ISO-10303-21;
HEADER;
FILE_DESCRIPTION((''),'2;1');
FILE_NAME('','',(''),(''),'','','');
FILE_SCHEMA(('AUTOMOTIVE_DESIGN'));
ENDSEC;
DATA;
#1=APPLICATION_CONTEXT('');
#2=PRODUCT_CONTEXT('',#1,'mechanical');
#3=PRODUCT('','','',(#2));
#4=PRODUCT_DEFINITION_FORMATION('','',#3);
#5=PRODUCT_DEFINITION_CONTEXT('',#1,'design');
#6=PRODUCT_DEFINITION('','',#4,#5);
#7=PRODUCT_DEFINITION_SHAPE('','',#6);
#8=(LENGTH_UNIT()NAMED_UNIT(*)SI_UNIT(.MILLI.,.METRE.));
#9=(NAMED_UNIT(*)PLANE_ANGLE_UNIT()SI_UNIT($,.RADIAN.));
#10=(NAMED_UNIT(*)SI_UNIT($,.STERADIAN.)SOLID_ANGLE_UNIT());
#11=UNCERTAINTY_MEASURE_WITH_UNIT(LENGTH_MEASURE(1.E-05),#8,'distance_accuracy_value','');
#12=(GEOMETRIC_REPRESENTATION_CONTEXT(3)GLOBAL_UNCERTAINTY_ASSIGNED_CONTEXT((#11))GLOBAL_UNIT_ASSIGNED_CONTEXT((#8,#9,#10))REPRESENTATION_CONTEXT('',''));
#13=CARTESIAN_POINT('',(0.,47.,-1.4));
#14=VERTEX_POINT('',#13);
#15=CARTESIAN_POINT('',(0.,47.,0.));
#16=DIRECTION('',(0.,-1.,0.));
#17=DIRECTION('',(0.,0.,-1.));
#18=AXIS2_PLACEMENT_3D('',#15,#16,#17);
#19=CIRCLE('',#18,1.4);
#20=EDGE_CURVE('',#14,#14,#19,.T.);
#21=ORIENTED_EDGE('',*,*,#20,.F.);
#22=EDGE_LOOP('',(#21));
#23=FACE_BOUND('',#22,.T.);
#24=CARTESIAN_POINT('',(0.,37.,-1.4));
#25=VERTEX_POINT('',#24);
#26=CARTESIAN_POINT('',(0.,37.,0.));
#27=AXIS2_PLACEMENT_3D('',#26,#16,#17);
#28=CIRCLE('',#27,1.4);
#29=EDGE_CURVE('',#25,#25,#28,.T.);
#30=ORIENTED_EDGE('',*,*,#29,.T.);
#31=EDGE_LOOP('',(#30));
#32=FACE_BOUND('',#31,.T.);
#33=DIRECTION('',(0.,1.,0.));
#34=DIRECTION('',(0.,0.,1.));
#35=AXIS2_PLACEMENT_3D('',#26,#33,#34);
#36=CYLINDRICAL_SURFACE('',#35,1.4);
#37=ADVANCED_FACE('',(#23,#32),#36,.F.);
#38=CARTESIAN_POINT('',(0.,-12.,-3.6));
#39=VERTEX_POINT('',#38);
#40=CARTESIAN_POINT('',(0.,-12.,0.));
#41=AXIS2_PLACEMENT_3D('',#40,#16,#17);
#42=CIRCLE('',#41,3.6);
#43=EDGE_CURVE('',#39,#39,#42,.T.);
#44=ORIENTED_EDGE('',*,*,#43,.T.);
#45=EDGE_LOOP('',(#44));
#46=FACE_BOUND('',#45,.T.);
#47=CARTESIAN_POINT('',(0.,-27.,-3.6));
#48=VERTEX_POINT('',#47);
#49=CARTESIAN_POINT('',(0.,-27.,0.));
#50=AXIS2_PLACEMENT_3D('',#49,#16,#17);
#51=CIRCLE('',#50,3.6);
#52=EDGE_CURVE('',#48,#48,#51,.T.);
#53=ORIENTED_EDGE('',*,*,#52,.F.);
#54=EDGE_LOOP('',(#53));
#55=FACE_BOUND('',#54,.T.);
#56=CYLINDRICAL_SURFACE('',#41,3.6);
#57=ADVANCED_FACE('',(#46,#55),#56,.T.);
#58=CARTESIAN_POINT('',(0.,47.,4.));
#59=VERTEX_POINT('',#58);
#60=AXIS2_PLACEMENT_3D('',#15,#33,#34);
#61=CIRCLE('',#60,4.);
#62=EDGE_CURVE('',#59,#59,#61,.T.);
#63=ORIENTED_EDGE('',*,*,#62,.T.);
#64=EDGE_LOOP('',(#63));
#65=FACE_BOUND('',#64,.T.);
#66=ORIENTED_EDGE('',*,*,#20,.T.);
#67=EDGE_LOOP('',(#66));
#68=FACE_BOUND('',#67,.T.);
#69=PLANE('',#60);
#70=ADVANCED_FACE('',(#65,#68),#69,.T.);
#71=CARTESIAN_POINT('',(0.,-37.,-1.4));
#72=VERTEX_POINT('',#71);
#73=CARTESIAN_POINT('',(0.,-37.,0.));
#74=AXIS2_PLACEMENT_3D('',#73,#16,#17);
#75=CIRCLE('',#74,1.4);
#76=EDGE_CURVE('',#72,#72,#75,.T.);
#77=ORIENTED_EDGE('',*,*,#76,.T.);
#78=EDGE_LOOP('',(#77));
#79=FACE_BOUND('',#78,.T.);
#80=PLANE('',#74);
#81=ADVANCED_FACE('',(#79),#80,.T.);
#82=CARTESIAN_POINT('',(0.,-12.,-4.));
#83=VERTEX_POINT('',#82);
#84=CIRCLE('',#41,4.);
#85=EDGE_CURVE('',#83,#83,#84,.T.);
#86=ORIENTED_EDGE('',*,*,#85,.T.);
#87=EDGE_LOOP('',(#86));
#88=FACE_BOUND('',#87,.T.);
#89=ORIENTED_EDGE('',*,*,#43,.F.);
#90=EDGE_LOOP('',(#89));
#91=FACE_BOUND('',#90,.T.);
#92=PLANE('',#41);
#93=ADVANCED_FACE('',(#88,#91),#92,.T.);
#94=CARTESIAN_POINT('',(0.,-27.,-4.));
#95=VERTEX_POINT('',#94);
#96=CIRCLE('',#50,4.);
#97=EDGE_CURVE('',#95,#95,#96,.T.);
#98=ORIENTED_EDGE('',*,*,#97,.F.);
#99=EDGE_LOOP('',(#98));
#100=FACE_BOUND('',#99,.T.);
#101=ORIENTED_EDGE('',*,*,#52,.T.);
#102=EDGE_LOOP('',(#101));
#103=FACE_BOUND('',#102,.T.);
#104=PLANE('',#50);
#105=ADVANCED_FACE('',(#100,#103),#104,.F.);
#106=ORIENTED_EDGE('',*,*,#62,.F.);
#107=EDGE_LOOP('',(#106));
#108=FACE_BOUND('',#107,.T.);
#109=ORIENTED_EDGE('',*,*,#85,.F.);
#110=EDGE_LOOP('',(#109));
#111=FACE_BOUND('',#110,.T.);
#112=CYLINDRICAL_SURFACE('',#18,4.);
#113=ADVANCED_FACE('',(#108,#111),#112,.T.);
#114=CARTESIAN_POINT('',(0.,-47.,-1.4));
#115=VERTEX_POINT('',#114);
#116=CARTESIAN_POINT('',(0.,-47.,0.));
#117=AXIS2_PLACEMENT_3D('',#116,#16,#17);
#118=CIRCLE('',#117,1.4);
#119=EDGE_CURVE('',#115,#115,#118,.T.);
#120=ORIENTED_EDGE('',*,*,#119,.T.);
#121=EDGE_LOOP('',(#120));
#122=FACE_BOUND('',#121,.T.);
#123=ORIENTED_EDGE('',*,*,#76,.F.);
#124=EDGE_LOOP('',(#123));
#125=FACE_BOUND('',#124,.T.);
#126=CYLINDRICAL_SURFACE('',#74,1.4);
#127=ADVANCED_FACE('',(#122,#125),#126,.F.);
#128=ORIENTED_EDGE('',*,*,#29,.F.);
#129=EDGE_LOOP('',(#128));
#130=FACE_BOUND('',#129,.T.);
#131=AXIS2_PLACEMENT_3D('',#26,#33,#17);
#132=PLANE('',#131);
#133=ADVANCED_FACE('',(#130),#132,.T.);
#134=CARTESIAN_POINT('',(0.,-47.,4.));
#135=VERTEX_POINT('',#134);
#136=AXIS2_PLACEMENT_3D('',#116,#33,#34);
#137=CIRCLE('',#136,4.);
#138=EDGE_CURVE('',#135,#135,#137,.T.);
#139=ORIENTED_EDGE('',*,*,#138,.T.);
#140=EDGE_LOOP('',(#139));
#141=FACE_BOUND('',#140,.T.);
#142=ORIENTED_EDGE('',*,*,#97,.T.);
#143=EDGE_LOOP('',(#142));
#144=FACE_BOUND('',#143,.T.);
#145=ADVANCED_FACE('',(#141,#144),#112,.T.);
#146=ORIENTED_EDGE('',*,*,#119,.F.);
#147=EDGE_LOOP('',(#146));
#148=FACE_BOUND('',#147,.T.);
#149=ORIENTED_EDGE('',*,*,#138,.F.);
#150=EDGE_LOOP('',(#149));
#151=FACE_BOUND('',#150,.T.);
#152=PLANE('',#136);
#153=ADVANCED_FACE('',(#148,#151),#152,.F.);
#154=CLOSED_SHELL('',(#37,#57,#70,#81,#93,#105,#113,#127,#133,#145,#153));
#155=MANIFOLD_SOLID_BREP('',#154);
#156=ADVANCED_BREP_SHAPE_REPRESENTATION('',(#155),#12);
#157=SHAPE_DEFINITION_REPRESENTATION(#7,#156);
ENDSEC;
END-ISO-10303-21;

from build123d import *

# Parameters (mm, degrees)
SKETCH1_R           = 4
BOSS_EXTRUDE1_DEPTH = 47
SKETCH2_R           = 1.4
CUT_EXTRUDE1_DEPTH  = 10
CUT_EXTRUDE2_START  = -35
SKETCH3_R           = 4
SKETCH3_R_2         = 3.6
CUT_EXTRUDE2_DEPTH  = 15


with BuildPart() as part:
    # Sketch1 → Boss-Extrude1 (new, symmetric)
    with BuildSketch(Plane(origin=(0, 0, 0), x_dir=(1, 0, 0), z_dir=(0, 1, 0))):
        with Locations(Location((0, 0, 0), (0, 0, 270))):
            Circle(SKETCH1_R)
    extrude(amount=BOSS_EXTRUDE1_DEPTH, both=True)

    # Sketch2 → Cut-Extrude1 (cut)
    with BuildSketch(Plane.XZ.offset(47)):
        with Locations(Location((0, 0, 0), (0, 0, 270))):
            Circle(SKETCH2_R)
    cut_extrude1 = extrude(amount=-CUT_EXTRUDE1_DEPTH, mode=Mode.SUBTRACT)

    # Mirror1: Cut-Extrude1 across plane
    add(cut_extrude1.mirror(Plane.ZX), mode=Mode.SUBTRACT)

    # Sketch3 → Cut-Extrude2 (cut)
    with BuildSketch(Plane.XZ.offset(47).offset(CUT_EXTRUDE2_START)):
        with Locations(Location((0, 0, 0), (0, 0, 270))):
            Circle(SKETCH3_R)
        with Locations(Location((0, 0, 0), (0, 0, 270))):
            Circle(SKETCH3_R_2, mode=Mode.SUBTRACT)
    extrude(amount=CUT_EXTRUDE2_DEPTH, mode=Mode.SUBTRACT)


solid = part.part
